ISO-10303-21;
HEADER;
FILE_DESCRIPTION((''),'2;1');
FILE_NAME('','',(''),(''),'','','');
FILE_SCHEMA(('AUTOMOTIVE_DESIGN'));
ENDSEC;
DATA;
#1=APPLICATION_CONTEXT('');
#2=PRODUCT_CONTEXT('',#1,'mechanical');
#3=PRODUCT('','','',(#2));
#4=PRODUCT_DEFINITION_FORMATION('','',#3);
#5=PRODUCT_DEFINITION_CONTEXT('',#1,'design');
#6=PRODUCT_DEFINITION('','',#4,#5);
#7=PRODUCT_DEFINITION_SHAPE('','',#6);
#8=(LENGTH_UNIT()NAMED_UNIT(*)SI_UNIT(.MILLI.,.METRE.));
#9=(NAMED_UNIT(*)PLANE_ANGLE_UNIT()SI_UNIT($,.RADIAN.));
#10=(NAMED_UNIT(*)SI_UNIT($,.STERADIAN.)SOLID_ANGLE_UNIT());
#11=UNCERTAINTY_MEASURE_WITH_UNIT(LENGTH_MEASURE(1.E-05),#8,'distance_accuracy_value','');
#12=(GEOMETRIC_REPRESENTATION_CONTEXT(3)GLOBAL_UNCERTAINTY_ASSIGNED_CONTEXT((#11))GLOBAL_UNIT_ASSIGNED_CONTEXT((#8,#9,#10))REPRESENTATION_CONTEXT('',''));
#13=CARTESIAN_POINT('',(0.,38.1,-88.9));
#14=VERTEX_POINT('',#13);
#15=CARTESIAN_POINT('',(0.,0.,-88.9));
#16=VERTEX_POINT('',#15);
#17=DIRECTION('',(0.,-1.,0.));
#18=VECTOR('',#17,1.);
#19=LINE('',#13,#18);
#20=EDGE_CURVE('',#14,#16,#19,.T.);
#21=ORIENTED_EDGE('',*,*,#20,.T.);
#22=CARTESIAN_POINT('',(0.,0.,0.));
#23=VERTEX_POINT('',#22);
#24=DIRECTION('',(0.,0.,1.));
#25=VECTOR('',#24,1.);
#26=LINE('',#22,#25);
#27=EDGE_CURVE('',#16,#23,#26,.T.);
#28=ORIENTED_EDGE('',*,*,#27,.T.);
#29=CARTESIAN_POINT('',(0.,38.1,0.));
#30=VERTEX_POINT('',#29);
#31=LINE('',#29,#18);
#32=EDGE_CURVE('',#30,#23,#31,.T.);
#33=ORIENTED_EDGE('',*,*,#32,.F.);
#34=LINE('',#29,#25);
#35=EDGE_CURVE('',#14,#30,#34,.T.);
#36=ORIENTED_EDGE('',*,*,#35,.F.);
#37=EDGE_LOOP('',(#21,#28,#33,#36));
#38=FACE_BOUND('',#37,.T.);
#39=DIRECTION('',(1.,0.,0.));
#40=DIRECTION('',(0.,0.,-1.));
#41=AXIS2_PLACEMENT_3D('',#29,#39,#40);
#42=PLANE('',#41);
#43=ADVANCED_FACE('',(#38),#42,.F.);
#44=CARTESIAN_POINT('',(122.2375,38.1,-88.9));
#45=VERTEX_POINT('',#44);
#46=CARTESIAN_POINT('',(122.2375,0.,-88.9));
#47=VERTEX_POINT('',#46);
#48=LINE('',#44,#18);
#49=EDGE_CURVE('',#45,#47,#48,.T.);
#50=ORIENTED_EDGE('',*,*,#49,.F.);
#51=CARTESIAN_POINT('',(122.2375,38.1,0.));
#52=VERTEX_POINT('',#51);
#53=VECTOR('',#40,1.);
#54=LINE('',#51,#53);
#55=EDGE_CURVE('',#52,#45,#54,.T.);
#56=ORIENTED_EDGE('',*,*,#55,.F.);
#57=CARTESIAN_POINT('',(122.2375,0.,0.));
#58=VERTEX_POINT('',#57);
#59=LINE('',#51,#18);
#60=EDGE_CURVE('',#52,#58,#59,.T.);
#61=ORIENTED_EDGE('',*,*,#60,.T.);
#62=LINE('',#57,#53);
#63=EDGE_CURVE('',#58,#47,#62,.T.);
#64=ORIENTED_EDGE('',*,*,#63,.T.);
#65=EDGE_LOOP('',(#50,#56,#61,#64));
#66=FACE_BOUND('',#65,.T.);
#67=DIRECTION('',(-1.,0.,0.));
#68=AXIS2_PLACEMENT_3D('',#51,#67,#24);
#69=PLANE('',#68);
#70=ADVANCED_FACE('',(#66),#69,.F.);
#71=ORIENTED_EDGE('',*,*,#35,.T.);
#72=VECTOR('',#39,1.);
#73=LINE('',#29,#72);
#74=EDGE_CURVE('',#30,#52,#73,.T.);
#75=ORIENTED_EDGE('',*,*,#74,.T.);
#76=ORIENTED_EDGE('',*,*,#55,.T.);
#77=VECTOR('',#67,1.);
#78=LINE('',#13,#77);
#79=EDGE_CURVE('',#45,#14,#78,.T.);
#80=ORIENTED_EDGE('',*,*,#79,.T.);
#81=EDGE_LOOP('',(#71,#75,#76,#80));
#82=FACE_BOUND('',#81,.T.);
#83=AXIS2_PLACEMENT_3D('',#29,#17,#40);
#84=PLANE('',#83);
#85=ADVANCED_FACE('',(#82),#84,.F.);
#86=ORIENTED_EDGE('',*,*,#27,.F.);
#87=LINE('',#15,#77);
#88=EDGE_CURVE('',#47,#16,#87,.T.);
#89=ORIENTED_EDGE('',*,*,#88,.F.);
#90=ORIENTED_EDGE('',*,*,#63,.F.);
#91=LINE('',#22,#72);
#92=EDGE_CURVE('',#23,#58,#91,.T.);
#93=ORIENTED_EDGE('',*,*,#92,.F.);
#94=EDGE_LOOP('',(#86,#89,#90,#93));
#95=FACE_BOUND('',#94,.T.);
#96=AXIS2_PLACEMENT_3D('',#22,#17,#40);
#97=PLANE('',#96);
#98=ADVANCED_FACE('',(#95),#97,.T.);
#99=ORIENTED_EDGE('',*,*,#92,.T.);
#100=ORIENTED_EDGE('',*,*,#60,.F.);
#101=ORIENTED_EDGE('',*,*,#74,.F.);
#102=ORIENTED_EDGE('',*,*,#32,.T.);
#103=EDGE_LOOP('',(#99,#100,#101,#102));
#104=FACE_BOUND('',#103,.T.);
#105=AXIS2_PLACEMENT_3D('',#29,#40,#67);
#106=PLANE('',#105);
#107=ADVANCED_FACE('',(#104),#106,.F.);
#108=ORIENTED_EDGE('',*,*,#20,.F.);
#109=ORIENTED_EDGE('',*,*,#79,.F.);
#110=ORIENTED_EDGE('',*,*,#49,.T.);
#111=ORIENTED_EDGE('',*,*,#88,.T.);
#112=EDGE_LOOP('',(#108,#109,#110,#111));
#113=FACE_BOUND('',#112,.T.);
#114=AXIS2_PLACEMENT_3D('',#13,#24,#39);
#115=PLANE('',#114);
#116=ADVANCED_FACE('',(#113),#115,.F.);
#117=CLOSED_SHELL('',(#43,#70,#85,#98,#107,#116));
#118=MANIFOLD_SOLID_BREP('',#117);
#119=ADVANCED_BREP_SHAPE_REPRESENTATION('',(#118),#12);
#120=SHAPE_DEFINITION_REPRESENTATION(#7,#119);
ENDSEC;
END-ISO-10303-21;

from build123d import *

# Parameters (mm, degrees)
SKETCH1_W           = 122.2375
SKETCH1_H           = 88.9
BOSS_EXTRUDE1_DEPTH = 38.1


with BuildPart() as part:
    # Sketch1 → Boss-Extrude1 (new body)
    with BuildSketch(Plane(origin=(0, 0, 0), x_dir=(1, 0, 0), z_dir=(0, 1, 0))):
        with Locations((61.11875, 44.45)):
            Rectangle(SKETCH1_W, SKETCH1_H)
    extrude(amount=BOSS_EXTRUDE1_DEPTH)


solid = part.part
